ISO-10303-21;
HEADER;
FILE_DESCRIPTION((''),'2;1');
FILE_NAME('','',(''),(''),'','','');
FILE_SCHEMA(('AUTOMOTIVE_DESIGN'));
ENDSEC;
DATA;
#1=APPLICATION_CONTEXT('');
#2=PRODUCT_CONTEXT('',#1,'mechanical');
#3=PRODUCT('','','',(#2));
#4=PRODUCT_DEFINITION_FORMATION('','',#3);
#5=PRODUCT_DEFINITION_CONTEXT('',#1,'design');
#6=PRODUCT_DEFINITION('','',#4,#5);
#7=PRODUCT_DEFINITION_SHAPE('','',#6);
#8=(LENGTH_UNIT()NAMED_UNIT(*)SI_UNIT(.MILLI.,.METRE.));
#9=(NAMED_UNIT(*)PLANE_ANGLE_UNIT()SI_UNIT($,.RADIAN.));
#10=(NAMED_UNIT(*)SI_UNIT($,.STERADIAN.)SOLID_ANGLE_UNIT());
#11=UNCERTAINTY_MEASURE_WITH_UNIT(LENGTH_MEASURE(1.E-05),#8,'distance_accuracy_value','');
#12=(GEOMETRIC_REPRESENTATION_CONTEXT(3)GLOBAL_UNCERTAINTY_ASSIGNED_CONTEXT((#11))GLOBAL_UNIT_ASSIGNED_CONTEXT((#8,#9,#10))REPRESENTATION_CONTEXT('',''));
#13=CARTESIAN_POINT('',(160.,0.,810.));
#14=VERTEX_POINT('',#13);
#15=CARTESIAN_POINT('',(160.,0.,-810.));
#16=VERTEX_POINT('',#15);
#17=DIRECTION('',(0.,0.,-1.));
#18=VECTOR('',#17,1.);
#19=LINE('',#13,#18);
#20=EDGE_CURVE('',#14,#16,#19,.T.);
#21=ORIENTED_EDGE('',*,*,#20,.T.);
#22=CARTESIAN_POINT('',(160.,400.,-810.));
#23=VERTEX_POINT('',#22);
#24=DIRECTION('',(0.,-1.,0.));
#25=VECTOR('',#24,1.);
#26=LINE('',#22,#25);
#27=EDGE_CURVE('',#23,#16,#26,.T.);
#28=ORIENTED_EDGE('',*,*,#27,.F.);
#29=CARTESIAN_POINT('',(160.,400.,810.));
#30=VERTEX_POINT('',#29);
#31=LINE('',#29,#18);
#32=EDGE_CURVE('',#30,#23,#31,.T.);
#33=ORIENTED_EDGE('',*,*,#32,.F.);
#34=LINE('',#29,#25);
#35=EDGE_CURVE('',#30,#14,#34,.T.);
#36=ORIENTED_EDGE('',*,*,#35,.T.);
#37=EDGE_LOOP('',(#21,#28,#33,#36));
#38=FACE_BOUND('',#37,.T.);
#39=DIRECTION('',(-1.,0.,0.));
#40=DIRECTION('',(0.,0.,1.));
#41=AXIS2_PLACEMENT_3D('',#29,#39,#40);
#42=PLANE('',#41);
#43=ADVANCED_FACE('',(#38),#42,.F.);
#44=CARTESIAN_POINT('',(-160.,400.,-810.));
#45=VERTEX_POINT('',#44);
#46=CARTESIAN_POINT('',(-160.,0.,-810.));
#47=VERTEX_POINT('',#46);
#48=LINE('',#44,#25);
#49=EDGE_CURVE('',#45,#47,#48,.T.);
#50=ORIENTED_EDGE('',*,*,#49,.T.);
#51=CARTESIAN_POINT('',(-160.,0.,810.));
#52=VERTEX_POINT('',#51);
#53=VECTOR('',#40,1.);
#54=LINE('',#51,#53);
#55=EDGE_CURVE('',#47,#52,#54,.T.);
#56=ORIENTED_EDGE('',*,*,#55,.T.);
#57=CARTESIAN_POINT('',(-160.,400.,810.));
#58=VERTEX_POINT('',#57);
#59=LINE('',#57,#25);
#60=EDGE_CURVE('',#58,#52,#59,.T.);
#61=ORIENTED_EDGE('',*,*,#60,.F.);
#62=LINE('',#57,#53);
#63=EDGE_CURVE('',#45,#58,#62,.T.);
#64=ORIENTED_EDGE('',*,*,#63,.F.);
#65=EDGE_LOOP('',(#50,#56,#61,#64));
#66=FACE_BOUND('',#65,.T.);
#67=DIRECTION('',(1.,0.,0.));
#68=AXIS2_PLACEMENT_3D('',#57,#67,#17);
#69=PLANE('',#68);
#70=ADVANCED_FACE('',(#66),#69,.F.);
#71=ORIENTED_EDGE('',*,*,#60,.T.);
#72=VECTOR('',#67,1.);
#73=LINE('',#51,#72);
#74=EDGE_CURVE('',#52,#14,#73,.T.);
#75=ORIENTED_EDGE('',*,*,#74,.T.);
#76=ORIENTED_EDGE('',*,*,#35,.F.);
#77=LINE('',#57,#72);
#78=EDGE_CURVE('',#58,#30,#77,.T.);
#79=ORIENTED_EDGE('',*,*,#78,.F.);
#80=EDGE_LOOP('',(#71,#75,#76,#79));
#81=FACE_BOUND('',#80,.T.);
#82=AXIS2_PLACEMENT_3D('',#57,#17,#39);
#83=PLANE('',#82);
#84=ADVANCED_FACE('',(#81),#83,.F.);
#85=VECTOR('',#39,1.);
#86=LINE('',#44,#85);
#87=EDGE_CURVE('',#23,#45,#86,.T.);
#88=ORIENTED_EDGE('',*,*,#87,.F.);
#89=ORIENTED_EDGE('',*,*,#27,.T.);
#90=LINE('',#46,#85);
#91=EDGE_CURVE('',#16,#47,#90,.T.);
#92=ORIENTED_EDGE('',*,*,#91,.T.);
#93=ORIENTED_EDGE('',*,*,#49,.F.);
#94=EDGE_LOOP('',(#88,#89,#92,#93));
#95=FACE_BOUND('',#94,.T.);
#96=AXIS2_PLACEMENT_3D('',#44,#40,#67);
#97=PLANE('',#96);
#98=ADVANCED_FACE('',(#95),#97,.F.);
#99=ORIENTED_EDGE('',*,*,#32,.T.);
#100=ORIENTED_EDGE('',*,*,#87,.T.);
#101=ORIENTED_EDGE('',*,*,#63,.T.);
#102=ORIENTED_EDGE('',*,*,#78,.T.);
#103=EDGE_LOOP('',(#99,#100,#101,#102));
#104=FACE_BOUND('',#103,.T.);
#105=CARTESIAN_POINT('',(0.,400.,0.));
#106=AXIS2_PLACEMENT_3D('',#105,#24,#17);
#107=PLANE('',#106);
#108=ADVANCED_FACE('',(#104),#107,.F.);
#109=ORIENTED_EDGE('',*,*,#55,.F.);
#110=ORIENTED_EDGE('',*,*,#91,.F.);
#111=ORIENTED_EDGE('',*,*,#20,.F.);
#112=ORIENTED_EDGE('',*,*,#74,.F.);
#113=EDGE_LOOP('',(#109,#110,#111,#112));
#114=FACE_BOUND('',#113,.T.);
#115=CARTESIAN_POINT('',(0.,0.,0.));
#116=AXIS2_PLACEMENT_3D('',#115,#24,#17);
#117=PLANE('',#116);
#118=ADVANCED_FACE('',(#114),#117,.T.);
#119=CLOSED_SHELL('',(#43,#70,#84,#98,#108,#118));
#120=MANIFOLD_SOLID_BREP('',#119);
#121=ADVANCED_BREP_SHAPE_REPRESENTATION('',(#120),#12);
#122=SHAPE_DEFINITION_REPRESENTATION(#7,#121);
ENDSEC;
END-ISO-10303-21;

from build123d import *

# Parameters (mm, degrees)
SKETCH_1_W      = 320
SKETCH_1_H      = 1620
EXTRUDE_1_DEPTH = 400


with BuildPart() as part:
    # 草图1 → 凸台-拉伸1 (new body)
    with BuildSketch(Plane(origin=(0, 0, 0), x_dir=(1, 0, 0), z_dir=(0, 1, 0))):
        Rectangle(SKETCH_1_W, SKETCH_1_H)
    extrude(amount=EXTRUDE_1_DEPTH)


solid = part.part
